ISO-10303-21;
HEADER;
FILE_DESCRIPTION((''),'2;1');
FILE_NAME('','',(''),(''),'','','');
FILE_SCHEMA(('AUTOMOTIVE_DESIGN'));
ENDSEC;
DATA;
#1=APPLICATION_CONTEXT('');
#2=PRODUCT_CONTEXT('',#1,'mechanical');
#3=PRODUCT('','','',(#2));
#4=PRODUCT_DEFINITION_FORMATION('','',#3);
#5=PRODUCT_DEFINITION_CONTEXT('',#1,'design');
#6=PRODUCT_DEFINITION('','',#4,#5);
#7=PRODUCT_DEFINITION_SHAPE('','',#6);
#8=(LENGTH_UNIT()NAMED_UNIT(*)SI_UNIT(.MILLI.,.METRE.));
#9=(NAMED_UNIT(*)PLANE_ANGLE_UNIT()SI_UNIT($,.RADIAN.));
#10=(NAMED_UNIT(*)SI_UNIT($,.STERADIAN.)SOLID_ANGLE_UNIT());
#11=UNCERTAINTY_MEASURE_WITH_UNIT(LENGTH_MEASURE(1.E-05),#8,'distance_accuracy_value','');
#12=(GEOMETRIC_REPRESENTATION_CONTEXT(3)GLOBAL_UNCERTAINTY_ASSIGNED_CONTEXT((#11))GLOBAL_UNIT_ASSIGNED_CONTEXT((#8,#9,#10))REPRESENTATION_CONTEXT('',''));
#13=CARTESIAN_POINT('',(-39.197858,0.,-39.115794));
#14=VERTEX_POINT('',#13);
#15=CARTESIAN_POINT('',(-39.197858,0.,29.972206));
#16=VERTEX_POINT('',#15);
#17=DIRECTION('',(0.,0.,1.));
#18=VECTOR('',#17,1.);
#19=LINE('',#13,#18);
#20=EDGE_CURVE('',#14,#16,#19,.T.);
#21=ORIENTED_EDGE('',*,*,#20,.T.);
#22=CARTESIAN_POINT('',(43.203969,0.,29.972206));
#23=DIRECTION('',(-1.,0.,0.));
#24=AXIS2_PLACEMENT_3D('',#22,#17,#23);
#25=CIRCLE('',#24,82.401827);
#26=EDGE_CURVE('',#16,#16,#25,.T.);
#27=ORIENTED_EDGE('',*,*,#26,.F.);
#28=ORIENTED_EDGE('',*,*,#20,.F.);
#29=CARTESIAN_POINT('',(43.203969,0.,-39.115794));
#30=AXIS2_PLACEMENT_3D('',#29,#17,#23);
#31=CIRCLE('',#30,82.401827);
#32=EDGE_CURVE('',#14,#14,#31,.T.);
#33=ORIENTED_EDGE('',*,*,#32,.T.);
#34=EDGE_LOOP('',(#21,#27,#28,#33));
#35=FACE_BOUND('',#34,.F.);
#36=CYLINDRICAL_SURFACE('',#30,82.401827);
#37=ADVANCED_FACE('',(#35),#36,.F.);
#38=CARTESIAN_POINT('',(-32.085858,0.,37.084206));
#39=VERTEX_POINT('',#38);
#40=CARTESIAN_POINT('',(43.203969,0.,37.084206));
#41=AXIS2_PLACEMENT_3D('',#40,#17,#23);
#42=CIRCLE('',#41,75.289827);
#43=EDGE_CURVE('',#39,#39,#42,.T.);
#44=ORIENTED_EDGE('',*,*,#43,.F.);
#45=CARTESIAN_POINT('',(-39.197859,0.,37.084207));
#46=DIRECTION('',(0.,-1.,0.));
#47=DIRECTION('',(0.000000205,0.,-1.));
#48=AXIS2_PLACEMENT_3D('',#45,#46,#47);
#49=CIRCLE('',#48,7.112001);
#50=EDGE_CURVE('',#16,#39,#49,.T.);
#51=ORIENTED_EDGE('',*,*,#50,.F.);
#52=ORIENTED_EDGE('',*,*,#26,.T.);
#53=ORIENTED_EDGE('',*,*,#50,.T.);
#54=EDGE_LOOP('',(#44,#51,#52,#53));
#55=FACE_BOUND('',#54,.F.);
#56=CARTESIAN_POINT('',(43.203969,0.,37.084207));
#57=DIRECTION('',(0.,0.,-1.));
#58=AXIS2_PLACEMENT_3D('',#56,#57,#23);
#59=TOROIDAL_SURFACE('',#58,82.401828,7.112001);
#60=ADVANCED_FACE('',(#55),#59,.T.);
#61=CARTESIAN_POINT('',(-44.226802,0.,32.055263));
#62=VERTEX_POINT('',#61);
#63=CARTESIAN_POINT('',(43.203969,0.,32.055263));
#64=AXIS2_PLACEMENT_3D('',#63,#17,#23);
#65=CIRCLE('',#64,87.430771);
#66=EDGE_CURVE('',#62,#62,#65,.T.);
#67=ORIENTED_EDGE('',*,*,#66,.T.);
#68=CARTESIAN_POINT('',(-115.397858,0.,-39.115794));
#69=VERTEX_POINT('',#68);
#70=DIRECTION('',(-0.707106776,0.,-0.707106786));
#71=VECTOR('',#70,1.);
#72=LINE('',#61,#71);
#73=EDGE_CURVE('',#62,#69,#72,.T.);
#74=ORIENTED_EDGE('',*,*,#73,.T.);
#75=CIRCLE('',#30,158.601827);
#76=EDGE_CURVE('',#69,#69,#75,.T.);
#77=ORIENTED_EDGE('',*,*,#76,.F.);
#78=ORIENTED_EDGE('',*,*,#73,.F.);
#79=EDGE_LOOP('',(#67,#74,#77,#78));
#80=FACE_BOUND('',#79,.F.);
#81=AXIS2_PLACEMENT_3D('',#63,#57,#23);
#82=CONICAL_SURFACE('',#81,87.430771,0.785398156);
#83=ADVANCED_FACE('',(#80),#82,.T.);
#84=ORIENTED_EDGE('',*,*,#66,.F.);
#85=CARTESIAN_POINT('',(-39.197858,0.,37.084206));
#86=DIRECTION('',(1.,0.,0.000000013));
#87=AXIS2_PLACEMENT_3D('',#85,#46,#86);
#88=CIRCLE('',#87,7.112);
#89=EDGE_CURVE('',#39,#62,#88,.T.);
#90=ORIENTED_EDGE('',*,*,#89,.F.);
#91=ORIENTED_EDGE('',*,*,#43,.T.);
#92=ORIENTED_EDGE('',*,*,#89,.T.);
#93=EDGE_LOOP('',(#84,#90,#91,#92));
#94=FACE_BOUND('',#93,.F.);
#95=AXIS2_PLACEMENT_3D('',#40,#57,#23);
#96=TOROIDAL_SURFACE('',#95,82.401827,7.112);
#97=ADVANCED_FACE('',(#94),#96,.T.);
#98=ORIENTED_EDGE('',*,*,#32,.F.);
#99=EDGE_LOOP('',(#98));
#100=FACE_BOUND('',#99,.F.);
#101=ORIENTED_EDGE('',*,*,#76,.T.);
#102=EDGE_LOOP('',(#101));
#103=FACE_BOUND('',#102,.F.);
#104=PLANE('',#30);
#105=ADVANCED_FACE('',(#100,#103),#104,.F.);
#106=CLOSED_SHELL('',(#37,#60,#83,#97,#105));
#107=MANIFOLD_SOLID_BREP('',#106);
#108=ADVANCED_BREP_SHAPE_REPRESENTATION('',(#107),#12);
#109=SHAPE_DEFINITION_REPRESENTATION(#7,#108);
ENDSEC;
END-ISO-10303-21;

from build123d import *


with BuildPart() as f1:
    # F0 (on Front) → F1 (revolve)
    with BuildSketch(Plane.XZ):
        with BuildLine():
            ThreePointArc((-32.085858, 37.084206), (-41.919503, 43.654837), (-44.226802, 32.055263))
            Line((-44.226802, 32.055263), (-39.197858, 37.084206))
            Line((-39.197858, 37.084206), (-39.197858, 29.972206))
            ThreePointArc((-39.197858, 29.972206), (-34.168915, 32.055263), (-32.085858, 37.084206))
        make_face()
        with BuildLine():
            Line((-39.197858, 37.084206), (-44.226802, 32.055263))
            ThreePointArc((-44.226802, 32.055263), (-41.919503, 30.513575), (-39.197858, 29.972206))
            Line((-39.197858, 29.972206), (-39.197858, 37.084206))
        make_face()
        with BuildLine():
            Line((-44.226802, 32.055263), (-115.397858, -39.115794))
            Line((-115.397858, -39.115794), (-39.197858, -39.115794))
            Line((-39.197858, -39.115794), (-39.197858, 29.972206))
            ThreePointArc((-39.197858, 29.972206), (-41.919503, 30.513575), (-44.226802, 32.055263))
        make_face()
    revolve(axis=Axis((43.203969, 0, 6.607234), (0, 0, 1)))


solid = f1.part
